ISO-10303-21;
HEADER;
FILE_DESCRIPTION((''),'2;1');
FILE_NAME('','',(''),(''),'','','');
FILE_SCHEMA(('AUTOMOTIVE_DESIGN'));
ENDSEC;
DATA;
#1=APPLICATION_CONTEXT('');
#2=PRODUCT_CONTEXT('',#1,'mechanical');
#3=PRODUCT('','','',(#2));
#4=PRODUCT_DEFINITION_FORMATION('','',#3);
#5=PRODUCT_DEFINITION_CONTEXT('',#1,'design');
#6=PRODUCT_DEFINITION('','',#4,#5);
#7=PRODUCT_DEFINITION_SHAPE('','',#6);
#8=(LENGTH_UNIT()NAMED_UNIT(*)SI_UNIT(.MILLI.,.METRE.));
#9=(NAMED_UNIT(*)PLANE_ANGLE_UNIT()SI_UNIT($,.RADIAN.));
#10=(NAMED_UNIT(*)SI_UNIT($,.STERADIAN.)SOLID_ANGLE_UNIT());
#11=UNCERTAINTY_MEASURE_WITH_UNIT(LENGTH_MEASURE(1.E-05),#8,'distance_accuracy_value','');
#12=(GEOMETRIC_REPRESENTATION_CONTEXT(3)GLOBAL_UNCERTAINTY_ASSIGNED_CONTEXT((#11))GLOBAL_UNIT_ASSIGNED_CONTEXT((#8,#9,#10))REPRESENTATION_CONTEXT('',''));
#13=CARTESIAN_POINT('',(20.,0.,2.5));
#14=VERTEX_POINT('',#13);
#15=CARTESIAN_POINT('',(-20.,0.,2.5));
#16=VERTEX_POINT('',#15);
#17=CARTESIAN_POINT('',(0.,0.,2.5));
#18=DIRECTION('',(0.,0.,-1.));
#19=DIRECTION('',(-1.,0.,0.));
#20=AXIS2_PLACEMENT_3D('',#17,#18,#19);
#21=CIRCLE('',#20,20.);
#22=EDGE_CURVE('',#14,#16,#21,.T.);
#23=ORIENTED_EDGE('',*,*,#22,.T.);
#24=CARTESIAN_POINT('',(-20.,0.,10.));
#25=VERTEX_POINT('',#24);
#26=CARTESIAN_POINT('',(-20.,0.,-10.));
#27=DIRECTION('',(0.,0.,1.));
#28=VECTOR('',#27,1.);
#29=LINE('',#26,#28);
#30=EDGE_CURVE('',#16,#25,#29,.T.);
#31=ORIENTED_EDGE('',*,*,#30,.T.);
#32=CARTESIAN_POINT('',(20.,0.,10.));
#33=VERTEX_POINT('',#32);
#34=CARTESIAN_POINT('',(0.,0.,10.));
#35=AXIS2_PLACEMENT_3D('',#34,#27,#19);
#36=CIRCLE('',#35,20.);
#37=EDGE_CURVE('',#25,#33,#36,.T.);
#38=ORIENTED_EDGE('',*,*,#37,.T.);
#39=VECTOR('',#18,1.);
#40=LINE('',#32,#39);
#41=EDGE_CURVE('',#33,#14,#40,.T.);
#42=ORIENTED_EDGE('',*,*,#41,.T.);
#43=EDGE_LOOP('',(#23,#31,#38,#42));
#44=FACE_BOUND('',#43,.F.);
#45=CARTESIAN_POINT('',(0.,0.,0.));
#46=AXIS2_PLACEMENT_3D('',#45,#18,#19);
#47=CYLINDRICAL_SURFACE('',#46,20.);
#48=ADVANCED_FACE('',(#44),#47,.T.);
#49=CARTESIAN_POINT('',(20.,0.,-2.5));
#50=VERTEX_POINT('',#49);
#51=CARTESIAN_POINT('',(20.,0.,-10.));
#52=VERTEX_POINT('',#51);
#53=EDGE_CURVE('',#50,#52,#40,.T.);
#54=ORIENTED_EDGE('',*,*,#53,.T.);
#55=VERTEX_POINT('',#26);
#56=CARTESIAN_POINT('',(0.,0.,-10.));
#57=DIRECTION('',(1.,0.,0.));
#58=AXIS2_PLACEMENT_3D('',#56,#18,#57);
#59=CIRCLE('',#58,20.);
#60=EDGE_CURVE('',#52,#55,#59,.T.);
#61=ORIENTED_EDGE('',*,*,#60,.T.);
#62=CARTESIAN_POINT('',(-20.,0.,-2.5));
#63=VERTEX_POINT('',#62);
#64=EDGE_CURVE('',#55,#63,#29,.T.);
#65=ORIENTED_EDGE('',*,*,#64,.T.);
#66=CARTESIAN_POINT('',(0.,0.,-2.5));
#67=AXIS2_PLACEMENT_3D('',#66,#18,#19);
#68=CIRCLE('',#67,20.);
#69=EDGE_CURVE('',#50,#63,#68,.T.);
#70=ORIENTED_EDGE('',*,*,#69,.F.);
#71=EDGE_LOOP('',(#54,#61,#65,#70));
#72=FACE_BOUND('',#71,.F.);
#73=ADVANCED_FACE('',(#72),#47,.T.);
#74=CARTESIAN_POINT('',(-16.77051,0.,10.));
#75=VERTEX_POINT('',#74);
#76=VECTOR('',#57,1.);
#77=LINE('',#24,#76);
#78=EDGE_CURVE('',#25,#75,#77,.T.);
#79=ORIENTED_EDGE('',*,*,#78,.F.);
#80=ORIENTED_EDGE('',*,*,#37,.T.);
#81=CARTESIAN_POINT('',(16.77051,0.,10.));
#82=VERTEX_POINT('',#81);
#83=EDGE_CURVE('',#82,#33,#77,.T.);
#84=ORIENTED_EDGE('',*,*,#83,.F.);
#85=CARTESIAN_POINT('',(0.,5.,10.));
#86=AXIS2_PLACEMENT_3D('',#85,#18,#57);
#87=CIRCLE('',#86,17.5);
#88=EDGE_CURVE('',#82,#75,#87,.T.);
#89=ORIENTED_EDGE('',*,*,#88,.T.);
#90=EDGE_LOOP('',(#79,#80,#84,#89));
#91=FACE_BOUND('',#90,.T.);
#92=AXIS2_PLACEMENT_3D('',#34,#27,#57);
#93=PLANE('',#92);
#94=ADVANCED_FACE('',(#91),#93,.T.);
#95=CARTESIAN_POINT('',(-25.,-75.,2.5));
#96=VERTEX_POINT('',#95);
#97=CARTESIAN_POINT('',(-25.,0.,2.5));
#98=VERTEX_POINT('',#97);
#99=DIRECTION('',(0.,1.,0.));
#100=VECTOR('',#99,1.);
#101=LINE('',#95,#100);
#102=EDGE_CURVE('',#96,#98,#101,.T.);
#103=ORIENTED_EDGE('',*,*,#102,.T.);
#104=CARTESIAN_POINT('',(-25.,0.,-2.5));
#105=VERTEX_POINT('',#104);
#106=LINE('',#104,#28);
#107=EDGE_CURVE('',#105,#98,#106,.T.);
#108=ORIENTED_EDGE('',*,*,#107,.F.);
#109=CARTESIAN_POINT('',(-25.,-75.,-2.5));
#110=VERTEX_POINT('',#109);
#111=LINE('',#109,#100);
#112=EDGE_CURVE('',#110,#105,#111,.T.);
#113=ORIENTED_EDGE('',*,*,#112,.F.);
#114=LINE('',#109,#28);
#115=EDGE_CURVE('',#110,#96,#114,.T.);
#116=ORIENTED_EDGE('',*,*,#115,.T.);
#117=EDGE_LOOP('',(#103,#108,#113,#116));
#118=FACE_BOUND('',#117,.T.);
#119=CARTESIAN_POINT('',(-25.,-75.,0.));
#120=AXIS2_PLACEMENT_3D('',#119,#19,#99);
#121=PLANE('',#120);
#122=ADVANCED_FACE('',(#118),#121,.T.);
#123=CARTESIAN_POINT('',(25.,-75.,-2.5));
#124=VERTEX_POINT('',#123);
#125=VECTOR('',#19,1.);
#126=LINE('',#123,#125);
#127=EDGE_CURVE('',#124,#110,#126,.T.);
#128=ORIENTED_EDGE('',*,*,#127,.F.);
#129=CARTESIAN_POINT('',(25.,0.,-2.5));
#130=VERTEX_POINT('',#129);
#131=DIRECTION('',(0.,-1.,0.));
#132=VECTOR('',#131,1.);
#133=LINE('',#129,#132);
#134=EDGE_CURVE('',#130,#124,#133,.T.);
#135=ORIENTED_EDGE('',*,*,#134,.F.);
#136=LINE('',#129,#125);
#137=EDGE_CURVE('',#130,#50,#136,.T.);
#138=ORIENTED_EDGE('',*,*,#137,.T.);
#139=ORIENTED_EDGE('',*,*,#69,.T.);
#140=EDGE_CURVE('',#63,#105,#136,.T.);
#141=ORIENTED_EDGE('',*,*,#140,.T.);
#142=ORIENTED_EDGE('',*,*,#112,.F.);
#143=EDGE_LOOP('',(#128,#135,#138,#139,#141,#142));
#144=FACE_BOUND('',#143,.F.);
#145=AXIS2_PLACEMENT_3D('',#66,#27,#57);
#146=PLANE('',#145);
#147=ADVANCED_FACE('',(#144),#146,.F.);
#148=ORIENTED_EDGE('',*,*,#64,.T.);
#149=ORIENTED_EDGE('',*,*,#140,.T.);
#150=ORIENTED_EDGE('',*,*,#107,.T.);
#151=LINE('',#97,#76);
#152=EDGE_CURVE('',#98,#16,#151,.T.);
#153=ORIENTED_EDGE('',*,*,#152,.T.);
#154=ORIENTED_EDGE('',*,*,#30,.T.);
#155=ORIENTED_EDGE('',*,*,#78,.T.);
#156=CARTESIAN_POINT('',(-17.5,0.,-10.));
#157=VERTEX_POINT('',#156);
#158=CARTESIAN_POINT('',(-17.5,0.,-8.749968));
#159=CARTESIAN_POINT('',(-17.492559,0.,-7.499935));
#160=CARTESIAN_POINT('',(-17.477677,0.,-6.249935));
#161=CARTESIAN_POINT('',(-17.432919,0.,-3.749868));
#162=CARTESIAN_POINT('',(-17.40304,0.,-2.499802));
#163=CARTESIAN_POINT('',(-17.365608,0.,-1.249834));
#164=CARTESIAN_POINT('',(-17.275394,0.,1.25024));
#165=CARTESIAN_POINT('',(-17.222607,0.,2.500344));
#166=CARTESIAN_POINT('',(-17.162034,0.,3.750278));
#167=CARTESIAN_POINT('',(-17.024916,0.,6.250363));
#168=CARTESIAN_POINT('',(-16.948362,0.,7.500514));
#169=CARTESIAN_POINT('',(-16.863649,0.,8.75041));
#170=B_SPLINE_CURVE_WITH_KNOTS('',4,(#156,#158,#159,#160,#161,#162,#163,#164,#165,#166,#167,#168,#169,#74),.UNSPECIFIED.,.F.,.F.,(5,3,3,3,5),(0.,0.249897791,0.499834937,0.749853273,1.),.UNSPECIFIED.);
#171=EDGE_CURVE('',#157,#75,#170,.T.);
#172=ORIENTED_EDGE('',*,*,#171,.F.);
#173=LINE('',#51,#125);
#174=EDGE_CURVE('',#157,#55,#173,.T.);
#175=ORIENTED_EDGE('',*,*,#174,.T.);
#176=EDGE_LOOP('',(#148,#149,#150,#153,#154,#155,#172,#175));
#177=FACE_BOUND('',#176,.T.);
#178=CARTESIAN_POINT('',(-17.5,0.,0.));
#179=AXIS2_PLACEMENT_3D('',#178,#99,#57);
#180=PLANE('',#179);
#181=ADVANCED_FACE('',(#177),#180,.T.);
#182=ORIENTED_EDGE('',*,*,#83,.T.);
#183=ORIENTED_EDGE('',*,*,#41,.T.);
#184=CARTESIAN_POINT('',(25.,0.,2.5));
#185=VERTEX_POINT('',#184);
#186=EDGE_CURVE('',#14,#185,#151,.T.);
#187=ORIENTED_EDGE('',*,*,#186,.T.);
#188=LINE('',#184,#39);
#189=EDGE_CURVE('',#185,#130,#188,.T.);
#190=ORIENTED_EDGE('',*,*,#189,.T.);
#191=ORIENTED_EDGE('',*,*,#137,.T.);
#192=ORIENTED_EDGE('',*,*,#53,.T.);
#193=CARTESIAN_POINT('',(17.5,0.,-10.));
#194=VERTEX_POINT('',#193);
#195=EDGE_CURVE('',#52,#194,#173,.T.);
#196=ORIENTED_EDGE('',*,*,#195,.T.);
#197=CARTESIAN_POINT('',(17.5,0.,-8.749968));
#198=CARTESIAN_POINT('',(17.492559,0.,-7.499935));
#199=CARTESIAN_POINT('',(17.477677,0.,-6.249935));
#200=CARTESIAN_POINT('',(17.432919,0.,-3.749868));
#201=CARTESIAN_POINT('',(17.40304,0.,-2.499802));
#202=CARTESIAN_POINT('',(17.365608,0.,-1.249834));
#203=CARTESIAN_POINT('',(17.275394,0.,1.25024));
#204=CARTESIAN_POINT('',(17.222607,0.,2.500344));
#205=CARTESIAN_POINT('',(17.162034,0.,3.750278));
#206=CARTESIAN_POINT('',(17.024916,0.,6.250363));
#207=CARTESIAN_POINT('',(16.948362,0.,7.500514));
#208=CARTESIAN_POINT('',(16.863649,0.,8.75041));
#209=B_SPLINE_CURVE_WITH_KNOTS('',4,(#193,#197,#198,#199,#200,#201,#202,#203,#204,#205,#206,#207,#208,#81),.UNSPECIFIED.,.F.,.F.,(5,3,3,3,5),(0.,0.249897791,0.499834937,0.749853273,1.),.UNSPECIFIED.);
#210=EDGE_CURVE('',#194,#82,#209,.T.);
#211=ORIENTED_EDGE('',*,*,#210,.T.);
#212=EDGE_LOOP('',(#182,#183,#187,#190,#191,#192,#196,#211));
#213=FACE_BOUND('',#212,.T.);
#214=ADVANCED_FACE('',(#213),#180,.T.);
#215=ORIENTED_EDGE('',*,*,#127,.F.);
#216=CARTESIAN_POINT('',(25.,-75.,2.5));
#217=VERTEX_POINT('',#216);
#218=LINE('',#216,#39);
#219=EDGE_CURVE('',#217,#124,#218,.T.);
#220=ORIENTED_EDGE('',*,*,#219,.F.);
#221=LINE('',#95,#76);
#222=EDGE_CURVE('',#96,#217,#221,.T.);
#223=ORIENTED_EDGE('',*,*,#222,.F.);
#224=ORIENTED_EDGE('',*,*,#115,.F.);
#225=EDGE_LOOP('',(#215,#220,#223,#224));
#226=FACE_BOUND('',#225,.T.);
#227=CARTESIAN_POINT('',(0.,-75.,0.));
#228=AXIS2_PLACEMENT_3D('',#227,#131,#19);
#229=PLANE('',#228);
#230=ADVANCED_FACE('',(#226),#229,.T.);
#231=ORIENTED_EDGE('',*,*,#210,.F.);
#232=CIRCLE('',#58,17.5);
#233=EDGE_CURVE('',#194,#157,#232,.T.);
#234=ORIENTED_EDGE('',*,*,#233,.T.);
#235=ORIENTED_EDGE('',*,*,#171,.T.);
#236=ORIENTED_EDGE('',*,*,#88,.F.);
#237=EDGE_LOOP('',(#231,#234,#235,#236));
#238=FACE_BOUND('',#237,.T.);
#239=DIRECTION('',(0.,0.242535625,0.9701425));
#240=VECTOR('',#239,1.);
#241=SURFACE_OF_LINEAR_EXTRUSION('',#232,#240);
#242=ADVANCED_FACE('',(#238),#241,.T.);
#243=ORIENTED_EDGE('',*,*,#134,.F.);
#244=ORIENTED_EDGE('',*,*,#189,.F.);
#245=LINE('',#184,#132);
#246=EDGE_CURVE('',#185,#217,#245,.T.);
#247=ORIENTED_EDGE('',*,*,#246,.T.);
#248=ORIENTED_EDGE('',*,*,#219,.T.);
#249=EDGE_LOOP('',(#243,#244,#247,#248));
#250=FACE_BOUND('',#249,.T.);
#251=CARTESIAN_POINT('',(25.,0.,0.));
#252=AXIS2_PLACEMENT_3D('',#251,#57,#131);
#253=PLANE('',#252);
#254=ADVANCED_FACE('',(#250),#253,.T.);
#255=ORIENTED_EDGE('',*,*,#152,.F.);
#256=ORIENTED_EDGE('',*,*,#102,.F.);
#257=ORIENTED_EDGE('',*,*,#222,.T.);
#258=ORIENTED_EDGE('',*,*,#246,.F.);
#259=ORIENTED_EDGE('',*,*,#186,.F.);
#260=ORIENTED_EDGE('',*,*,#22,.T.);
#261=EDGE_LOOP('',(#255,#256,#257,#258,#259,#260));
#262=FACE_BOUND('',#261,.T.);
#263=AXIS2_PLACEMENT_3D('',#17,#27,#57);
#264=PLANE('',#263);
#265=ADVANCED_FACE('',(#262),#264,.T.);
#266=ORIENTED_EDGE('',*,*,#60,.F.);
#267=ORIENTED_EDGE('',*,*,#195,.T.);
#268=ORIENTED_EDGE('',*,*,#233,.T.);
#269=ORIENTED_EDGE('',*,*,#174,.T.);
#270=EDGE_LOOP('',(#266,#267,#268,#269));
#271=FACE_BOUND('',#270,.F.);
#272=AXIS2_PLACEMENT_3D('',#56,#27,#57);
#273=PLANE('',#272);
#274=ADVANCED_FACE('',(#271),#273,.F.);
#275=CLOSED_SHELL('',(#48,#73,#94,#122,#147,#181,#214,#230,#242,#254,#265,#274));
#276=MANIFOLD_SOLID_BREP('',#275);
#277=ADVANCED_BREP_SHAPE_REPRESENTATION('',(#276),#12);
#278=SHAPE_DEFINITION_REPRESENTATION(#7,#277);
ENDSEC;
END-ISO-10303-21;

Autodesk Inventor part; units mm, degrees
ref_plane "YZ Plane" through (0, 0, 0) normal (1, 0, 0) x (0, 1, 0)
ref_plane "XZ Plane" through (0, 0, 0) normal (0, 1, 0) x (-1, 0, 0)
ref_plane "XY Plane" through (0, 0, 0) normal (0, 0, 1) x (1, 0, 0)
sketch "草圖1" plane through (0, 0, 0) normal (0, 0, 1) x (1, 0, 0)
  arc A0 (-17.5, 0) -> (17.5, 0) centre (0, 0) ccw
  arc A1 (-20, 0) -> (20, 0) centre (0, 0) ccw
  line L0 (-20, 0) -> (-17.5, 0)
  line L1 (20, 0) -> (17.5, 0)
  line L2 (-35, 0) -> (35, 0) projected
  line L3 (-25, 0) -> (25, 0)
  line L4 (25, -75) -> (-25, -75)
  line L5 (-25, -75) -> (-25, 0)
  line L6 (-25, 0) -> (25, 0)
  line L7 (25, 0) -> (25, -75)
  line L8 (25, -75) -> (-25, 0) construction
  line L9 (-25, -75) -> (25, 0) construction
  line L10 (0, -90) -> (0, 15) projected
  point P0 (17.5, 0)
  point P1 (20, 0)
  point P2 (20, 0)
  point P3 (0, -37.5)
  dimension "d0" = 17.5
  dimension "d16" = 50
  dimension "d17" = 75
  dimension "d22" = 20
extrude "擠出1" add sketch "草圖1" along normal mid plane 20 contours L2 L10 A0 | A0 L10 A1 L0 | L10 L2 A0 | A0 L1 A1 L10
extrude "擠出2" add sketch "草圖1" along normal mid plane 5
sketch "草圖2" plane through (0, 0, 0) normal (1, 0, 0) x (0, 1, 0)
  line L0 (-10, -10) -> (-5, 10)
  line L1 (0, -2.5) -> (0, -10) projected
  line L2 (0, 10) -> (0, 2.5) projected
  line L3 (-20, -10) -> (0, -10) projected
  line L4 (0, 10) -> (-20, 10) projected
  point P0 (0, 0)
  dimension "d18" = 10
  dimension "d19" = 5
sketch "草圖3" plane through (0, 0, -10) normal (0, 0, -1) x (-1, 0, 0)
  arc A0 (-17.5, 0) -> (17.5, 0) centre (0, 0) ccw projected
  line L0 (25, 0) -> (-25, 0) projected
sweep "掃掠1" cut profiles "草圖3" path "草圖2" path curves L0
